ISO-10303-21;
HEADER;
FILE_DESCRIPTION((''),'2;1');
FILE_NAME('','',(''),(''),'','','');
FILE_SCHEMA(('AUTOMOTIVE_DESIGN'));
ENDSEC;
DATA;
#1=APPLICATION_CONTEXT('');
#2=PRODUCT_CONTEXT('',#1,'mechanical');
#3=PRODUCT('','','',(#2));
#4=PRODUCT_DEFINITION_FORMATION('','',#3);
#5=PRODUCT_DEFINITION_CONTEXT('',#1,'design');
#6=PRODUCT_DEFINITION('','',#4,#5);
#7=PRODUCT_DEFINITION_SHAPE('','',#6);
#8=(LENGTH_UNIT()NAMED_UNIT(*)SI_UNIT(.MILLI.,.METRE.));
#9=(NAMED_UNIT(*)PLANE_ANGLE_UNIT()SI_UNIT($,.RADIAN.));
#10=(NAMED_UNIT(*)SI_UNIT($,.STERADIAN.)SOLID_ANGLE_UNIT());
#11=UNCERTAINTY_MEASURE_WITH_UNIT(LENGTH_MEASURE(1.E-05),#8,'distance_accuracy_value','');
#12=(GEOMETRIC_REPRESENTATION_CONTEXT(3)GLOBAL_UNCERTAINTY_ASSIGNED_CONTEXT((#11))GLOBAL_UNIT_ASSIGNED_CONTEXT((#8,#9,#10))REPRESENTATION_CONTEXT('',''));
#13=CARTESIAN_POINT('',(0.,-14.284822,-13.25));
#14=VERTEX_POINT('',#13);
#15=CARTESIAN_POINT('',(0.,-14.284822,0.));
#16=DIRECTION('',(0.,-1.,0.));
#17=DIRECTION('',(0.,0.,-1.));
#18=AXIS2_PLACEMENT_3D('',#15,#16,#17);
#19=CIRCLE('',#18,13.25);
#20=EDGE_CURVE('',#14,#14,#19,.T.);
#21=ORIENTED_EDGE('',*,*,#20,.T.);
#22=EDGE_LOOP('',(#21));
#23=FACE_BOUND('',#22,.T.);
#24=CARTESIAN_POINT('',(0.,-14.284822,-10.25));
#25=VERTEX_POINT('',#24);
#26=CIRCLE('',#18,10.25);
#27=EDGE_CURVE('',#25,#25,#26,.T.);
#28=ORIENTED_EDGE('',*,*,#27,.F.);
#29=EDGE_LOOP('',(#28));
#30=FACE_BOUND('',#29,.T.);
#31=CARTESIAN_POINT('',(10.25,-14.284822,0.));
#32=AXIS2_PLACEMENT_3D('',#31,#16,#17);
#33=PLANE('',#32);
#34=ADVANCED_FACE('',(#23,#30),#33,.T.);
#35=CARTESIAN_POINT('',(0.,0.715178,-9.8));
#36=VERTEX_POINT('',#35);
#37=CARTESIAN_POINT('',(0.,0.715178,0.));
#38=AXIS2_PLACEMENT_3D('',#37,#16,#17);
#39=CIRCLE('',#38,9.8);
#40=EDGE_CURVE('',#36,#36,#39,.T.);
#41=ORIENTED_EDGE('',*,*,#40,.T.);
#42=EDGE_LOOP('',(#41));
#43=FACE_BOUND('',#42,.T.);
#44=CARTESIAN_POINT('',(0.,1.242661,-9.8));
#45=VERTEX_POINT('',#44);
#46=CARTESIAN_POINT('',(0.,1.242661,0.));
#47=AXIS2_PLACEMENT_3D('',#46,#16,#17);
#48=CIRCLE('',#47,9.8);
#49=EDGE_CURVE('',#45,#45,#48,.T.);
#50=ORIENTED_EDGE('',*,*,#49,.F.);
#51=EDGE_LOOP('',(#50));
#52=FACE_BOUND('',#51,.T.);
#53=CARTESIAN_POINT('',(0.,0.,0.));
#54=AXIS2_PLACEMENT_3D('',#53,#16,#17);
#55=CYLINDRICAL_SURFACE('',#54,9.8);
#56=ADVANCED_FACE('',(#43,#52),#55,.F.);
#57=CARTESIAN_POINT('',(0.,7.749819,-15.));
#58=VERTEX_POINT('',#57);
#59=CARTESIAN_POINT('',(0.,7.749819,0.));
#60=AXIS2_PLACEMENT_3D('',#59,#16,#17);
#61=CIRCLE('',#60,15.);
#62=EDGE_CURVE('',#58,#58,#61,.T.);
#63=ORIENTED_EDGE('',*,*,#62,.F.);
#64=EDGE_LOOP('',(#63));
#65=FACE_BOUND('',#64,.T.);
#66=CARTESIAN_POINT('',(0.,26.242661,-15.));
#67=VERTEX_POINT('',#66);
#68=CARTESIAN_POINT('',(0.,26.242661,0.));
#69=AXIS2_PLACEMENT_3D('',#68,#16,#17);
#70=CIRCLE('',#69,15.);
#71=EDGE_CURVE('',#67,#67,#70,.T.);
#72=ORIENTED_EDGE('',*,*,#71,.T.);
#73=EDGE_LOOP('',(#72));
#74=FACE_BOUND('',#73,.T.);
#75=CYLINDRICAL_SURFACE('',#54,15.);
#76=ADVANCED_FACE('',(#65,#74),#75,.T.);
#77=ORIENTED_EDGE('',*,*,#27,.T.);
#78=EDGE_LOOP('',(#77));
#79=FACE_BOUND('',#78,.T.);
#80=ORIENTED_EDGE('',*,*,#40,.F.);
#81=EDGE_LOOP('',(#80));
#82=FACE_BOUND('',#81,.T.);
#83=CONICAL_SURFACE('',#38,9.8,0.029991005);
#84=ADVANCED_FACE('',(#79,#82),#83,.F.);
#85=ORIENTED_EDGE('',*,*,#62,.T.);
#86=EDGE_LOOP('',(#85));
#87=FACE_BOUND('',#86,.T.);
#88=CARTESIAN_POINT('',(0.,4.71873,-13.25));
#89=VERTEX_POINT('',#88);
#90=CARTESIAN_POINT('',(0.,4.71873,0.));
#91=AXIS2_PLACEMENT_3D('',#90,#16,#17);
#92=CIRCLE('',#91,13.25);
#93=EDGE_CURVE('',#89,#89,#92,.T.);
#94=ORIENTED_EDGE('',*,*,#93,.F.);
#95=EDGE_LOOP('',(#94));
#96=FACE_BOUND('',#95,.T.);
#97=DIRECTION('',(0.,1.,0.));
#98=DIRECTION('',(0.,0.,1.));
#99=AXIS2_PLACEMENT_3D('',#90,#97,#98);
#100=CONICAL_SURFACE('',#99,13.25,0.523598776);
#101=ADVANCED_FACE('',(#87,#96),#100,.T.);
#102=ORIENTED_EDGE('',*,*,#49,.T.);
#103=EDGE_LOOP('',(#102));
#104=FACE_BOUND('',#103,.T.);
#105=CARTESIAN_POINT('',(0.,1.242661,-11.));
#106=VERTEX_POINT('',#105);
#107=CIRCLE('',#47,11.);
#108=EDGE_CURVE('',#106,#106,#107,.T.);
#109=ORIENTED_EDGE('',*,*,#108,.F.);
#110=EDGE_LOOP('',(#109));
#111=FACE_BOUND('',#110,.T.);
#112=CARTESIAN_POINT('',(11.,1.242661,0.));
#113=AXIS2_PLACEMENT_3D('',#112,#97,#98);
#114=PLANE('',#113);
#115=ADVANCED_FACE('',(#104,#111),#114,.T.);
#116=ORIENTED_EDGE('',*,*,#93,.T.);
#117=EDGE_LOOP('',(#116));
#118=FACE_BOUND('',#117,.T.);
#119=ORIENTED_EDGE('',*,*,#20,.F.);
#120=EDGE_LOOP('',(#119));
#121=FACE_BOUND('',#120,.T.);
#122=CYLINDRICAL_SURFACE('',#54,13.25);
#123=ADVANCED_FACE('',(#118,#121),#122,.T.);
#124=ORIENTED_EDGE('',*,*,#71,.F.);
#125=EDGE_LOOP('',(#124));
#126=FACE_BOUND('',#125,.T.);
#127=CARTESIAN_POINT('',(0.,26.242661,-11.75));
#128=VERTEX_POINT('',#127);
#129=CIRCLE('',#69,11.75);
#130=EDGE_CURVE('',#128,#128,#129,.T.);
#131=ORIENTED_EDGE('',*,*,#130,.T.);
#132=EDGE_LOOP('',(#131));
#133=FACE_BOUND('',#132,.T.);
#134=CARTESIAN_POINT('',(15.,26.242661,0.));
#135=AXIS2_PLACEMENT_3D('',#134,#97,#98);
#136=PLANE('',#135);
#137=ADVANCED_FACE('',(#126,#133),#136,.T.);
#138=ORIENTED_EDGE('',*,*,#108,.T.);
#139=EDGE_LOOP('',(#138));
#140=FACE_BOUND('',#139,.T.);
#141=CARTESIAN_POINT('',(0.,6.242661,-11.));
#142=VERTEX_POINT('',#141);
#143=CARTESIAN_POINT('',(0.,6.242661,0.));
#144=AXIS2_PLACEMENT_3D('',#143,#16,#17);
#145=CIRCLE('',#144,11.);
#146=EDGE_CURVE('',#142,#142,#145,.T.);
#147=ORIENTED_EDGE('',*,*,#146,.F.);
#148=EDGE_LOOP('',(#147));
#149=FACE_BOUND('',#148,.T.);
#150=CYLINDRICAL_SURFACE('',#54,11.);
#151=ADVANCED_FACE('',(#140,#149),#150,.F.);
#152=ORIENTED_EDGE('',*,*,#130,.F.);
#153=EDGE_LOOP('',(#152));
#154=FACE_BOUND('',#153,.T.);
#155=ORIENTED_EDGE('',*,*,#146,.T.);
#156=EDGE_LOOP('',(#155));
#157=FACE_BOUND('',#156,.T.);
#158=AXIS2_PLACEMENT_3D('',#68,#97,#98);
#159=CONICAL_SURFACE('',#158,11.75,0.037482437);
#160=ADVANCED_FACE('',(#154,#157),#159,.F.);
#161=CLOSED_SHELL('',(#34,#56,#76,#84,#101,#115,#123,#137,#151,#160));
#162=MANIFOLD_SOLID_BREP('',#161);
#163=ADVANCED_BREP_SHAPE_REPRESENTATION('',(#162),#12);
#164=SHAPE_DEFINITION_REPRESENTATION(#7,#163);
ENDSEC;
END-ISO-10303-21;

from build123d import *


with BuildPart() as part:
    # Sketch1 → Revolve1 (revolve)
    with BuildSketch(Plane.XY, mode=Mode.PRIVATE) as revolve1_sk:
        Polygon((9.8, 0.715177656), (10.25, -14.284822344), (13.25, -14.284822344), (13.25, 4.718730462), (15, 7.749819375), (15, 26.24266131), (11.75, 26.24266131), (11, 6.24266131), (11, 1.24266131), (9.8, 1.24266131), align=None)
    revolve(revolve1_sk.sketch.rotate(Axis((0, 0, 0), (0, 1, 0)), 90), axis=Axis((0, 0, 0), (0, 1, 0)))


solid = part.part
